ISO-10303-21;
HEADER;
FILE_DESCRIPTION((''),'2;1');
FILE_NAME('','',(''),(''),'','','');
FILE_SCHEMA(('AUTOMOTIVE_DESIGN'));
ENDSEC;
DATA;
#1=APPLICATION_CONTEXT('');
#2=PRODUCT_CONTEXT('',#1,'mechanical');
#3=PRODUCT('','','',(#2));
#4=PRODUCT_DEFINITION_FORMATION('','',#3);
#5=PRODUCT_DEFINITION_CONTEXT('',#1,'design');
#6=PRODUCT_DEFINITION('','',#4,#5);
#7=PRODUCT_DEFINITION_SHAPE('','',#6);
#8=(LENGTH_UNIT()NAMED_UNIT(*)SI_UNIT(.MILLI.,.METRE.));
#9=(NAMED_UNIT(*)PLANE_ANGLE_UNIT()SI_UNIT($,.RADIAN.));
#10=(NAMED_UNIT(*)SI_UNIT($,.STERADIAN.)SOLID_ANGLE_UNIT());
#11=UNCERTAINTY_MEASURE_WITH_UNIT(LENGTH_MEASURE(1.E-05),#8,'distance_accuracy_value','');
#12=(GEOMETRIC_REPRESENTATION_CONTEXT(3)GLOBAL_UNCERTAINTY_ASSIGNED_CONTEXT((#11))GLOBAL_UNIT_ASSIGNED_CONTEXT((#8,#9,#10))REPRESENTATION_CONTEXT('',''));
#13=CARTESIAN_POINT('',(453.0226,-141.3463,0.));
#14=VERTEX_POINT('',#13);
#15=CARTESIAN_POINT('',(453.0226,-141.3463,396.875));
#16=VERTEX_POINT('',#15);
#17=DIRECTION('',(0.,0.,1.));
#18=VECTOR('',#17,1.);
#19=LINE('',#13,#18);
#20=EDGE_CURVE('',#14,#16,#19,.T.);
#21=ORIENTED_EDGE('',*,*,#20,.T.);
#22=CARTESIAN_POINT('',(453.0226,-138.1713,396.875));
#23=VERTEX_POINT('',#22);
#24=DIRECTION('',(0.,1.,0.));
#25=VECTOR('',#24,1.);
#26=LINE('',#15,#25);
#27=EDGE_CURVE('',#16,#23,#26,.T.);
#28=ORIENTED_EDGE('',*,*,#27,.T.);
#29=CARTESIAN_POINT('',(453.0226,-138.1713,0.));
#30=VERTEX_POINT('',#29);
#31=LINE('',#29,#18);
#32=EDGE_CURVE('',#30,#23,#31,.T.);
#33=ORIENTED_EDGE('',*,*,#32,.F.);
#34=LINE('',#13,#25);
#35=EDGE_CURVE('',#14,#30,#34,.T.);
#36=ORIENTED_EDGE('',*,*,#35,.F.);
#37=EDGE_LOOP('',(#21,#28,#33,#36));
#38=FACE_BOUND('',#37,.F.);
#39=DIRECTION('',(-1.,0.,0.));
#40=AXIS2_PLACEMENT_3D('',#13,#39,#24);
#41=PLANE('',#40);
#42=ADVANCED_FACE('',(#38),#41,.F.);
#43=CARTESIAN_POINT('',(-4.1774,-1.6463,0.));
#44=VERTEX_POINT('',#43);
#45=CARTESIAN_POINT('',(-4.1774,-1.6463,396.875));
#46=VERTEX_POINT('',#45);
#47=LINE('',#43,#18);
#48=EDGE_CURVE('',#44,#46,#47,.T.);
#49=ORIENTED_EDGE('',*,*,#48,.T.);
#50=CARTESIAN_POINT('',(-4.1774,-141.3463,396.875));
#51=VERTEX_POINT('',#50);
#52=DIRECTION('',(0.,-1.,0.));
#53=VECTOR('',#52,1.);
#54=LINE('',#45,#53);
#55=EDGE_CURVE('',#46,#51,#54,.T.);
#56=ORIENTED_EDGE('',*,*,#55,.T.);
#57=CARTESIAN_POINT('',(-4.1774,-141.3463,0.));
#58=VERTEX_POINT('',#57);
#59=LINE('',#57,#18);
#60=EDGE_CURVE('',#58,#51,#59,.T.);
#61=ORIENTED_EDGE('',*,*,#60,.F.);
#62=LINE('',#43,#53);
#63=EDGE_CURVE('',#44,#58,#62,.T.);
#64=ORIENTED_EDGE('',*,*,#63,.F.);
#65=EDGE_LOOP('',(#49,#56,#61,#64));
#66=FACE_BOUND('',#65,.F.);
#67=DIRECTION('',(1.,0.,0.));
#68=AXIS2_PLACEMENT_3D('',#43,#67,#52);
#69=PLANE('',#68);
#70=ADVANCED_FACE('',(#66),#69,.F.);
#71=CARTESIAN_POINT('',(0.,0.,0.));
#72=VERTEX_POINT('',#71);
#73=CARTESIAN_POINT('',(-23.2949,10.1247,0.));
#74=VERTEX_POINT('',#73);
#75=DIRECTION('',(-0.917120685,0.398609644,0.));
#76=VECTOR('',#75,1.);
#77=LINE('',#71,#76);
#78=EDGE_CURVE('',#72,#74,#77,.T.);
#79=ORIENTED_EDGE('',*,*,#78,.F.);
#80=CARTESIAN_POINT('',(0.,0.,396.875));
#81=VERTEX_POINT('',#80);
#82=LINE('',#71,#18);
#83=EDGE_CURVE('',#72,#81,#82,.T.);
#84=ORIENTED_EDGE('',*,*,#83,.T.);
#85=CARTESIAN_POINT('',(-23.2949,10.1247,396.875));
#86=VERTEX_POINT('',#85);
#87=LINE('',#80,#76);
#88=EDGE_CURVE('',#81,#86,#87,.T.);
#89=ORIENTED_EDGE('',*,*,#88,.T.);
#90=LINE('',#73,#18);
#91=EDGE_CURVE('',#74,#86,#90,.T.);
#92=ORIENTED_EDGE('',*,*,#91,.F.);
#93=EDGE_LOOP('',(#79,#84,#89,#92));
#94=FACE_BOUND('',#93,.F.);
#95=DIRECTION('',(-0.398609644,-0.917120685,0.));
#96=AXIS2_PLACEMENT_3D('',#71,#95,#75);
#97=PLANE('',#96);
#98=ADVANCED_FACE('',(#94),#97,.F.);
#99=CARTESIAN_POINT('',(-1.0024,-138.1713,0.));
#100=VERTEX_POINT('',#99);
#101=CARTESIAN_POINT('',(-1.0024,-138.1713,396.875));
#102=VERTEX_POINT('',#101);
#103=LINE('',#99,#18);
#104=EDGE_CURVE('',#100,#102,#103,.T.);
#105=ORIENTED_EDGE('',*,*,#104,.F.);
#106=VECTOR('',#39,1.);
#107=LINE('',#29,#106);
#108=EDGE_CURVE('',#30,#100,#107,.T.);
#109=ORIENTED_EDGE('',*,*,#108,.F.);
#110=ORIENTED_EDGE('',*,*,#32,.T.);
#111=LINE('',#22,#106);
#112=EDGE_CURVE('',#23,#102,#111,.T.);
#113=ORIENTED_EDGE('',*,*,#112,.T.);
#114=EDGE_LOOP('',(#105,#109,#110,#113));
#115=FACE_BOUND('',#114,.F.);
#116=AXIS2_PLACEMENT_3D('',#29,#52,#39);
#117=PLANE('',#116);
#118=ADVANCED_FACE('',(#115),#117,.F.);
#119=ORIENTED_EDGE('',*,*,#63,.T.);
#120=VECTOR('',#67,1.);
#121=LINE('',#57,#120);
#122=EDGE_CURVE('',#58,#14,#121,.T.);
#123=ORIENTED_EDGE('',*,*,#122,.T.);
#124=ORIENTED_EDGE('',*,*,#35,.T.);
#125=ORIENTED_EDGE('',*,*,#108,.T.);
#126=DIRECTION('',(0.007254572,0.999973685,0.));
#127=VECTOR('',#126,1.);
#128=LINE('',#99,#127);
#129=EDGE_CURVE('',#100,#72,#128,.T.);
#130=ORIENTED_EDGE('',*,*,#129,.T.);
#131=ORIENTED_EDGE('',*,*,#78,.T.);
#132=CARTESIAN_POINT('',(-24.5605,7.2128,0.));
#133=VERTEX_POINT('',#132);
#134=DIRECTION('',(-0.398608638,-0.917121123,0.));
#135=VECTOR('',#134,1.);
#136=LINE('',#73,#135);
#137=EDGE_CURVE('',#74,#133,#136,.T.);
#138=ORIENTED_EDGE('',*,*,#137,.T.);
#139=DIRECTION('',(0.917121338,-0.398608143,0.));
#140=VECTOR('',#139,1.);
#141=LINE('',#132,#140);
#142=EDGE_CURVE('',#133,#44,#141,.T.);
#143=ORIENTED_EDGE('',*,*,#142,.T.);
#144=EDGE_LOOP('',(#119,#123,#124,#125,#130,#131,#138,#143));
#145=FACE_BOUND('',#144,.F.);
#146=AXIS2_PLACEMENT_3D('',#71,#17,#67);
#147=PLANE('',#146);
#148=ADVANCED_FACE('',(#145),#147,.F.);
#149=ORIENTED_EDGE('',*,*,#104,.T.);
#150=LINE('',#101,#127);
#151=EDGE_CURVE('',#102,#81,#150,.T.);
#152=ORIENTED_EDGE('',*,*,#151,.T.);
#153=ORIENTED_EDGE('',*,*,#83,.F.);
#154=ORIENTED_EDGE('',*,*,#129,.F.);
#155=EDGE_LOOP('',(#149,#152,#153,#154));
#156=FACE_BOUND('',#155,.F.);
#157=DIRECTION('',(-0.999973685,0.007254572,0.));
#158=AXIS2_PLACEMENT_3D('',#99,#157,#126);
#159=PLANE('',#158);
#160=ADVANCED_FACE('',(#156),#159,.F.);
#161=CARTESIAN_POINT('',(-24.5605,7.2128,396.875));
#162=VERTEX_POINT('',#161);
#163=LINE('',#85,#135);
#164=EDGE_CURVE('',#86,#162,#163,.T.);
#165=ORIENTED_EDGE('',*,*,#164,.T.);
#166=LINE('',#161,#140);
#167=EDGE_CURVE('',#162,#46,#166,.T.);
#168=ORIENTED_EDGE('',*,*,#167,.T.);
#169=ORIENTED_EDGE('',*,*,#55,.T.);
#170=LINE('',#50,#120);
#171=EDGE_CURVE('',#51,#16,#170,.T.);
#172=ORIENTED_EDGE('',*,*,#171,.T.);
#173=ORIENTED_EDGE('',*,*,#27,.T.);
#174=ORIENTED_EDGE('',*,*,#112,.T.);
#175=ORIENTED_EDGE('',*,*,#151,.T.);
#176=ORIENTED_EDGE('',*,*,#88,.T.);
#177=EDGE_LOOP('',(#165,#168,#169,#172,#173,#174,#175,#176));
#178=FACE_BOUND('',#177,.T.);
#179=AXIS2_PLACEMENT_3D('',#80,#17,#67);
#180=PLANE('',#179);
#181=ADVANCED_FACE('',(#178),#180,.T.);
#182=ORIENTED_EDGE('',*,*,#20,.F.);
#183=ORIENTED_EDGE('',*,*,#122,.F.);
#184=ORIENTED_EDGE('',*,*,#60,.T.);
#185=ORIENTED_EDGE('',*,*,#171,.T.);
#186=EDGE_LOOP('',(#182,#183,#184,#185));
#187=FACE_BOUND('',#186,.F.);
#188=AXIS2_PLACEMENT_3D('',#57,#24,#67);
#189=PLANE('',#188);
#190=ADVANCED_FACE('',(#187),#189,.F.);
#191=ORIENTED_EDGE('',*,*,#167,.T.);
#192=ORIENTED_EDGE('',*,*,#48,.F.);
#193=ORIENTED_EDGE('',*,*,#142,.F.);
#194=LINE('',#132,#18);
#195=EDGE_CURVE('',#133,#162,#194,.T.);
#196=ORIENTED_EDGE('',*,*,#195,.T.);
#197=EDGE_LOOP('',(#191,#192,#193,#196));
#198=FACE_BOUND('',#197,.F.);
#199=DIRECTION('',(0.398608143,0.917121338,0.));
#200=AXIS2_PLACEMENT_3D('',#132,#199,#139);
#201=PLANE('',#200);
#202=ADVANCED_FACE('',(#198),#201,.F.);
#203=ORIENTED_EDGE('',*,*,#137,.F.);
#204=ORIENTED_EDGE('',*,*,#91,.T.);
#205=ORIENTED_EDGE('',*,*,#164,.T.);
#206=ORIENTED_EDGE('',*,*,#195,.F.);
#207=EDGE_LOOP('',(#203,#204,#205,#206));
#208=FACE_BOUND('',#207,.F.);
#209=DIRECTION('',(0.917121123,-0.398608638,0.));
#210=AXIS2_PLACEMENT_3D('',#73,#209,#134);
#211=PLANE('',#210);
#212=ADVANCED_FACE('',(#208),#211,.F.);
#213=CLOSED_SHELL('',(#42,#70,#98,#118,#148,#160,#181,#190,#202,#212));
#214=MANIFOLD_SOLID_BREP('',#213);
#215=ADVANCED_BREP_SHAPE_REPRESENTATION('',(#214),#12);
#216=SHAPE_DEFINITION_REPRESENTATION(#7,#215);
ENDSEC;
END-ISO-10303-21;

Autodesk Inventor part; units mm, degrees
ref_plane "YZ Plane" through (0, 0, 0) normal (1, 0, 0) x (0, 1, 0)
ref_plane "XZ Plane" through (0, 0, 0) normal (0, 1, 0) x (-1, 0, 0)
ref_plane "XY Plane" through (0, 0, 0) normal (0, 0, 1) x (1, 0, 0)
sketch "Sketch1" plane through (0, 0, 0) normal (0, 0, 1) x (1, 0, 0)
  line L0 (0, 0) -> (-23.2949, 10.1247)
  line L1 (0, 0) -> (25.4, 0) construction
  line L2 (-23.2949, 10.1247) -> (-24.5605, 7.2128)
  line L3 (-24.5605, 7.2128) -> (-4.1774, -1.6463)
  line L4 (-4.1774, -1.6463) -> (173.6226, -1.6463) construction
  line L5 (0, 0) -> (176.276, 0) construction
  line L6 (-4.1774, -1.6463) -> (-4.1774, -141.3463)
  line L7 (-4.1774, -1.6463) -> (135.5226, -1.6463) construction
  line L8 (-4.1774, -141.3463) -> (453.0226, -141.3463)
  line L9 (453.0226, -141.3463) -> (453.0226, -138.1713)
  line L10 (453.0226, -138.1713) -> (-1.0024, -138.1713)
  line L11 (-1.0024, -138.1713) -> (0, 0)
  dimension "d0" = 25.4
  dimension "d1" = 156.509
  dimension "d2" = 3.175
  dimension "d3" = 90
  dimension "d4" = 22.225
  dimension "d5" = 90
  dimension "d22" = 139.7
  dimension "d23" = 90
  dimension "d24" = 457.2
  dimension "d25" = 90
  dimension "d26" = 3.175
  dimension "d27" = 454.025
  dimension "d28" = 90
extrude "Extrusion3" add sketch "Sketch1" along normal blind 396.875
properties part number "ToteBasin"
